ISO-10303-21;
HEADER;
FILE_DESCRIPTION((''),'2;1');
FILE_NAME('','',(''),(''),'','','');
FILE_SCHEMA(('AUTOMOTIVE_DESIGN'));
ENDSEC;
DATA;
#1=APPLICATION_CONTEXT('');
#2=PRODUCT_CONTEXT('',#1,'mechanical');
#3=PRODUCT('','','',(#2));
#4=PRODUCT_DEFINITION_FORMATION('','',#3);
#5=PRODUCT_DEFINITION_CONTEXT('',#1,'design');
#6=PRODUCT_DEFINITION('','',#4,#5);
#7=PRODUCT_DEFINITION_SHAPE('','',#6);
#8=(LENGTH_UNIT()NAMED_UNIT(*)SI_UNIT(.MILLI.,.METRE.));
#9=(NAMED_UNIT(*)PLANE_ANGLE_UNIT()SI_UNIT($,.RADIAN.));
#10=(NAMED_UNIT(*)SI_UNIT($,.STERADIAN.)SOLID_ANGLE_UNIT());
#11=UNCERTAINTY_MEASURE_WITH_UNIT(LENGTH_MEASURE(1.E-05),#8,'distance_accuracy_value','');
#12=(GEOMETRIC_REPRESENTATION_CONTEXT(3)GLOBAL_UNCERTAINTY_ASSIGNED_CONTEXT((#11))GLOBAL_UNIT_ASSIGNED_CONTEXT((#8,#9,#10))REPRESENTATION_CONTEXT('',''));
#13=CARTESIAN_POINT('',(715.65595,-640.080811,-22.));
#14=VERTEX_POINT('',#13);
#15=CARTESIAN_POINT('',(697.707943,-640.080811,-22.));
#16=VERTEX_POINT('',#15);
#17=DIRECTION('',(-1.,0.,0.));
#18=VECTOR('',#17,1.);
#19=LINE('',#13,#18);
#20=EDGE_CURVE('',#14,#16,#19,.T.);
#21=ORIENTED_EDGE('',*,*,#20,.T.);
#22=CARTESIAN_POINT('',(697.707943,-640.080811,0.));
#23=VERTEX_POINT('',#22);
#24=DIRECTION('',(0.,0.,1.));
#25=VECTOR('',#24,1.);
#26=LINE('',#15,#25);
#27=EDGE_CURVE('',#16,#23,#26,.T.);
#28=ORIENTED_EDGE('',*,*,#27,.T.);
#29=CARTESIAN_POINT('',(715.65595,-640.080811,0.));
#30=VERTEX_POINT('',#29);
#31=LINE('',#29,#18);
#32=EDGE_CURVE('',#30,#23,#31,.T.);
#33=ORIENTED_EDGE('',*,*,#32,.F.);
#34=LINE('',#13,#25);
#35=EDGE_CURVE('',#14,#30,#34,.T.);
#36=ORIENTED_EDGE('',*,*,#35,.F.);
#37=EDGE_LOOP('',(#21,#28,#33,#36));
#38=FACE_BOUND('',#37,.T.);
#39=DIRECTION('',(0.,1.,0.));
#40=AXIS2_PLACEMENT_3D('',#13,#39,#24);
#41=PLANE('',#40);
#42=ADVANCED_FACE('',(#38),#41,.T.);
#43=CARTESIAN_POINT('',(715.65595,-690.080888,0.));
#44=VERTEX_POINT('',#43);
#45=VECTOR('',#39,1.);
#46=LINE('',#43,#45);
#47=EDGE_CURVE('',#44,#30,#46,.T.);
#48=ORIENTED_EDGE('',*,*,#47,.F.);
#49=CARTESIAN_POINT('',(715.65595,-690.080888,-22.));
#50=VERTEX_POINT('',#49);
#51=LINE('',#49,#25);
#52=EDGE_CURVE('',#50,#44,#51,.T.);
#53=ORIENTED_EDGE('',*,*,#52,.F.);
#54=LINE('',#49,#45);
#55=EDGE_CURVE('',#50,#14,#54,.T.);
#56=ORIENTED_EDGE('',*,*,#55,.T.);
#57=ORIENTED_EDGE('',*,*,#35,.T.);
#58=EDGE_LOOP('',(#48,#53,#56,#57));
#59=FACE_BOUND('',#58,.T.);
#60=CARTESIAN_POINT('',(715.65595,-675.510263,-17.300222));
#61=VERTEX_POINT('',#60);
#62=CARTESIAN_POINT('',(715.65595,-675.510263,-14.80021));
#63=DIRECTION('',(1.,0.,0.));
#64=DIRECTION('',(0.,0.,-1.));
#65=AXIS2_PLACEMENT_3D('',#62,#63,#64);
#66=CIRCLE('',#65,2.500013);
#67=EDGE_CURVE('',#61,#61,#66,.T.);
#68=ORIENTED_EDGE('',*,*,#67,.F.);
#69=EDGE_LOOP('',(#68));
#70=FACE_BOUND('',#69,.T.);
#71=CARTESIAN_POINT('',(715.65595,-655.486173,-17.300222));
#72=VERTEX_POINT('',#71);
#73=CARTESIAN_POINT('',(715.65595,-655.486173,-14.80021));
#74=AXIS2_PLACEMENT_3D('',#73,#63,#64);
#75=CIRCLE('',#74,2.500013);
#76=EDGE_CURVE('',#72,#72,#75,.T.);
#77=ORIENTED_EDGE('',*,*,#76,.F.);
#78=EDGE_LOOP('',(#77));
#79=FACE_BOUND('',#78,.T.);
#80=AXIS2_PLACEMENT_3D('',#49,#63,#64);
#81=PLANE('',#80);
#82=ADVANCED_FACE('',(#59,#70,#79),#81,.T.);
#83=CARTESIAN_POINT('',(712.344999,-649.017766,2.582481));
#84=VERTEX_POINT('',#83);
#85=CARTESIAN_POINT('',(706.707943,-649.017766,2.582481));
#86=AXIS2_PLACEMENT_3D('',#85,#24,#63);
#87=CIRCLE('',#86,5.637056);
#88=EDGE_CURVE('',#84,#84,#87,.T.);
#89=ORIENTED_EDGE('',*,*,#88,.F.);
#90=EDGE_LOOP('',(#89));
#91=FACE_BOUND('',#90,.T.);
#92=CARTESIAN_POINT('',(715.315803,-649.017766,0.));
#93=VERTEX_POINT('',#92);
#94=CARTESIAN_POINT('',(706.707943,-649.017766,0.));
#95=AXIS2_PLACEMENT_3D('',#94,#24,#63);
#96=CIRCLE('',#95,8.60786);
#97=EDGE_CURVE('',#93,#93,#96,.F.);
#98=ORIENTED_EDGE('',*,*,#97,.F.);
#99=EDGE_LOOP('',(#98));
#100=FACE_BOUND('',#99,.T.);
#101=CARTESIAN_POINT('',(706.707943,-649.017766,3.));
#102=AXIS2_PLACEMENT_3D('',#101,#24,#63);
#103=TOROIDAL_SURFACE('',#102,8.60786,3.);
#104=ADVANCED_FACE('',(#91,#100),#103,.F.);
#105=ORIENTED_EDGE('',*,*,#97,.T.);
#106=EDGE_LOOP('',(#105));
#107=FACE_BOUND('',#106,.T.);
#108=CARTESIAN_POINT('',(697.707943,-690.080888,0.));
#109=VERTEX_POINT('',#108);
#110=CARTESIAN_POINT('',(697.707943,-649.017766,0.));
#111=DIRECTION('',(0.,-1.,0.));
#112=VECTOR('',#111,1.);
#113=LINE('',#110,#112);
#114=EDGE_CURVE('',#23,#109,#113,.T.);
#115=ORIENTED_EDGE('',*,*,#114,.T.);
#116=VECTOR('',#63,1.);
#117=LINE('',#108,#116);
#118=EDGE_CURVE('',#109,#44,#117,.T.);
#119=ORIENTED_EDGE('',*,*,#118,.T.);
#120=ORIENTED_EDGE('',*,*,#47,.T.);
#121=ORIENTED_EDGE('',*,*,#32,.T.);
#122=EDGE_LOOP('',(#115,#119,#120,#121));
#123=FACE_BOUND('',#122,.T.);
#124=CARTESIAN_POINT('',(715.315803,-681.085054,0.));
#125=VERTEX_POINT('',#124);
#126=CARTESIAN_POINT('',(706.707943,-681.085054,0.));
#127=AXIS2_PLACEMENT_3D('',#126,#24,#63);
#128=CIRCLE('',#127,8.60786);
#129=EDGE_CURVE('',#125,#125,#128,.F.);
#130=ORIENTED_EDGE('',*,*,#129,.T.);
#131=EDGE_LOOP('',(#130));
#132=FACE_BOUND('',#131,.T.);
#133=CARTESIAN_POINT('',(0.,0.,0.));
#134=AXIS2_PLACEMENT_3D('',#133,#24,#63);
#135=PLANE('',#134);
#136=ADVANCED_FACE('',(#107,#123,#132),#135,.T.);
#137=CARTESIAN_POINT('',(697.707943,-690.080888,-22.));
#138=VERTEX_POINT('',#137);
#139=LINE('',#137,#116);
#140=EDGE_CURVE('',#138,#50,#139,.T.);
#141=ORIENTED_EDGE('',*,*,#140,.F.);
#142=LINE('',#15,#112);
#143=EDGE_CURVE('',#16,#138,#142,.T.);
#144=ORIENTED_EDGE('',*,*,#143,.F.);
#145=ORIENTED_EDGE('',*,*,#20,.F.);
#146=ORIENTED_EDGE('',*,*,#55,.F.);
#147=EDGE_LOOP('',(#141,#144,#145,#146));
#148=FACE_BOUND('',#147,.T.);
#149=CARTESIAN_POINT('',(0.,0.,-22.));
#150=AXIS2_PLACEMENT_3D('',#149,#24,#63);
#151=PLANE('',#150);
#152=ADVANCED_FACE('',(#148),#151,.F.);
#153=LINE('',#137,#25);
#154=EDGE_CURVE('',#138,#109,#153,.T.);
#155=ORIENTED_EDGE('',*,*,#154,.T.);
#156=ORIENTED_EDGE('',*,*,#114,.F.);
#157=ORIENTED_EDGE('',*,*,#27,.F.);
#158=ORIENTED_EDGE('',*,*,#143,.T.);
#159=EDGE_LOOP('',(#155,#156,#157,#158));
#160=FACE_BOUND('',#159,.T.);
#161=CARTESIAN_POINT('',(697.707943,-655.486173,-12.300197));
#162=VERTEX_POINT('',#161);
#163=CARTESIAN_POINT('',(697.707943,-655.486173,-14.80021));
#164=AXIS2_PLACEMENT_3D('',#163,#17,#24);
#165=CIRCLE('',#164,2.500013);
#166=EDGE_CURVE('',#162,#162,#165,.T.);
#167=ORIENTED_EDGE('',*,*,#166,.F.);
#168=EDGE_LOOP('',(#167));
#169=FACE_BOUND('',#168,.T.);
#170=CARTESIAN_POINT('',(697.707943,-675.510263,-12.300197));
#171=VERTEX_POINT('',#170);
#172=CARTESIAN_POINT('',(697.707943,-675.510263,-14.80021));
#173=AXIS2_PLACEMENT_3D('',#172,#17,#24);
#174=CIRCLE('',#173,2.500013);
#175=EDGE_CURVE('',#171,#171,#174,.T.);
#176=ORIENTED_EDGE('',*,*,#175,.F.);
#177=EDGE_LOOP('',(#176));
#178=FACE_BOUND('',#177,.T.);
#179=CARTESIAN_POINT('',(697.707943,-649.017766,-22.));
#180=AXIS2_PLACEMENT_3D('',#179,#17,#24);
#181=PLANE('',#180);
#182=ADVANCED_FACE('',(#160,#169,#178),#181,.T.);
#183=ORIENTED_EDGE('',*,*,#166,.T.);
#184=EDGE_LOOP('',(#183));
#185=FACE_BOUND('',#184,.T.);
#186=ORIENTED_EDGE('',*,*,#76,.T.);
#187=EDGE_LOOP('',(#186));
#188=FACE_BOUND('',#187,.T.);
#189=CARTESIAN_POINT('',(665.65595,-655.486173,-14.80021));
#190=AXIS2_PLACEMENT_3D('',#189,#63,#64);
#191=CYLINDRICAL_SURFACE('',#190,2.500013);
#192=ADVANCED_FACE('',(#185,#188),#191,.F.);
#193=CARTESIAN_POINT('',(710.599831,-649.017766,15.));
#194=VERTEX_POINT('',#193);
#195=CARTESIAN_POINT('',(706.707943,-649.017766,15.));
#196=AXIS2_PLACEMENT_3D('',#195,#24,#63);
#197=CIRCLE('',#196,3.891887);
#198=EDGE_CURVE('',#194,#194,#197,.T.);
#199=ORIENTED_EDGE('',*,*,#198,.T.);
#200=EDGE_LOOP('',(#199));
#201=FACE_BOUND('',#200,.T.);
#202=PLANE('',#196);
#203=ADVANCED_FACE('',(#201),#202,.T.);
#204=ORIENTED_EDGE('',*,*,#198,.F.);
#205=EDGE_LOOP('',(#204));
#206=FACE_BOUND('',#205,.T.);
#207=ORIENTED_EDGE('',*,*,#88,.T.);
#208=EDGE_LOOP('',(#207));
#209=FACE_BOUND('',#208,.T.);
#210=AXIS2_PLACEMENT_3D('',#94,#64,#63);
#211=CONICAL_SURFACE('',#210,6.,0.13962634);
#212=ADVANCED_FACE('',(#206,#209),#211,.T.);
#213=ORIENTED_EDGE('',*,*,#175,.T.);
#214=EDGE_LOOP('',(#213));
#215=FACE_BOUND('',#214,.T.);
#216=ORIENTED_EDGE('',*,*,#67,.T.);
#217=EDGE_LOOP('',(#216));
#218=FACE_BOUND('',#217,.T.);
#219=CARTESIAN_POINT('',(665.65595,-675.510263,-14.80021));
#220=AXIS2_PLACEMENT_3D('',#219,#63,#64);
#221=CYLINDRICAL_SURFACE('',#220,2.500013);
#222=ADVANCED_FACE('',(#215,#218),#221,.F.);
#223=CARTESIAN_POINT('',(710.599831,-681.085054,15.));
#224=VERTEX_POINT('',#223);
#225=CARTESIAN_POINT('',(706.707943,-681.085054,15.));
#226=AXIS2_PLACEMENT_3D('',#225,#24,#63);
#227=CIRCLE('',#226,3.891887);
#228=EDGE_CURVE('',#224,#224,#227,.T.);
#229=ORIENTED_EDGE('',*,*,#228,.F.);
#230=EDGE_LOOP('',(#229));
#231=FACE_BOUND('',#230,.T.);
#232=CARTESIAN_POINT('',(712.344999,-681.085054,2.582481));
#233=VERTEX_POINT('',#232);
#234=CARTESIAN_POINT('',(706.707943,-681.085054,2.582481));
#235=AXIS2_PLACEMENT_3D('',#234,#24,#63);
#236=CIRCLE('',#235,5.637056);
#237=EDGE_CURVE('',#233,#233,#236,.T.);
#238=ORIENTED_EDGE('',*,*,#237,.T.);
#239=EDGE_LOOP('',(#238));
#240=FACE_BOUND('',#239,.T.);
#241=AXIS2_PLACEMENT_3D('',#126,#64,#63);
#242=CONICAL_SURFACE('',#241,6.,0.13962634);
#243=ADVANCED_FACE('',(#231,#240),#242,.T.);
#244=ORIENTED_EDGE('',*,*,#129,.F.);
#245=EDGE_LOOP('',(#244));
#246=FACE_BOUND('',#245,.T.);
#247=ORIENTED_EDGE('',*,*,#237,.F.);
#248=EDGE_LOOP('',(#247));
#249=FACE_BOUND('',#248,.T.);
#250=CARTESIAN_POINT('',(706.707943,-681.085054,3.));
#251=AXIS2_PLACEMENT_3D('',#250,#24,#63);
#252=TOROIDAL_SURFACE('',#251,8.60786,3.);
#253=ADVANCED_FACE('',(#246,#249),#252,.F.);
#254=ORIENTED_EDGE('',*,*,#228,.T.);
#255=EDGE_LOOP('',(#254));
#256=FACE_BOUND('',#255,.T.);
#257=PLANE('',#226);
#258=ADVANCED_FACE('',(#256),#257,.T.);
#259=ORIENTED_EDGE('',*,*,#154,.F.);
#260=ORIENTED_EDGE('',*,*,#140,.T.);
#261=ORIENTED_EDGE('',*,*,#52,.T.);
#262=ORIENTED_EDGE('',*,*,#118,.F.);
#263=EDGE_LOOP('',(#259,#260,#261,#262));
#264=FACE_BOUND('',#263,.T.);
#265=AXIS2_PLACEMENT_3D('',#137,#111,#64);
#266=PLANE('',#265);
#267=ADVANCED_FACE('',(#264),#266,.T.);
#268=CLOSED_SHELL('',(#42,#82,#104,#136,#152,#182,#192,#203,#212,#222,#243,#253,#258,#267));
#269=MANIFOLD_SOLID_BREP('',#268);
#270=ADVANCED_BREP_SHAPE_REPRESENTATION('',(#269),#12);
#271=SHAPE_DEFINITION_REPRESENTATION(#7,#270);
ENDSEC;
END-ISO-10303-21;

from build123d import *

# Parameters (mm, degrees)
BOSS_EXTRUDE1_DEPTH           = 22
SKETCH3_R                     = 6
BOSS_EXTRUDE3_DEPTH           = 15
BOSS_EXTRUDE3_DRAFT           = 8
BOSS_EXTRUDE3_PROFILE_2_DEPTH = 15
BOSS_EXTRUDE3_PROFILE_2_DRAFT = 8
FILLET2_R                     = 3
SKETCH4_R                     = 2.500012638
CUT_EXTRUDE1_DEPTH            = 50
SKETCH5_R                     = 2.500012638
CUT_EXTRUDE2_DEPTH            = 50


with BuildPart() as part:
    # Sketch2 → Boss-Extrude1 (new body)
    with BuildSketch(Plane.XY):
        Polygon((697.707943159, -649.017765949), (697.707943159, -690.080887605), (715.655949844, -690.080887605), (715.655949844, -640.080811229), (697.707943159, -640.080811229), align=None)
    extrude(amount=-BOSS_EXTRUDE1_DEPTH)


with BuildPart() as boss_extrude3_tool:
    # Sketch3 → Boss-Extrude3 (with draft: the straight prism first)
    with BuildSketch(Plane.XY):
        with Locations((706.707943159, -649.017765949)):
            Circle(SKETCH3_R)
    extrude(amount=BOSS_EXTRUDE3_DEPTH)
    # Boss-Extrude3: the draft: its side faces are tilted about the plane it starts from
    boss_extrude3_sides = [boss_extrude3_tool.faces().sort_by_distance(p)[0] for p in [
        (700.707943159, -649.017765949, 7.5),
    ]]
    draft(boss_extrude3_sides, Plane.XY, BOSS_EXTRUDE3_DRAFT)


with BuildPart() as part_1:
    add(part.part)

    # Boss-Extrude3: add boss_extrude3_tool
    add(boss_extrude3_tool.part)


with BuildPart() as boss_extrude3_profile_2_tool:
    # Sketch3 → Boss-Extrude3 profile 2 (with draft: the straight prism first)
    with BuildSketch(Plane.XY):
        with Locations((706.707943159, -681.085054274)):
            Circle(SKETCH3_R)
    extrude(amount=BOSS_EXTRUDE3_PROFILE_2_DEPTH)
    # Boss-Extrude3 profile 2: the draft: its side faces are tilted about the plane it starts from
    boss_extrude3_profile_2_sides = [boss_extrude3_profile_2_tool.faces().sort_by_distance(p)[0] for p in [
        (700.707943159, -681.085054274, 7.5),
    ]]
    draft(boss_extrude3_profile_2_sides, Plane.XY, BOSS_EXTRUDE3_PROFILE_2_DRAFT)


with BuildPart() as part_2:
    add(part_1.part)

    # Boss-Extrude3 profile 2: add boss_extrude3_profile_2_tool
    add(boss_extrude3_profile_2_tool.part)

    # Fillet2
    fillet2_edges = [part_2.edges().sort_by_distance(p)[0] for p in [
        (700.707943159, -649.017765949, 0),
        (700.707943159, -681.085054274, 0),
    ]]
    fillet(fillet2_edges, radius=FILLET2_R)

    # Sketch4 → Cut-Extrude1 (cut)
    with BuildSketch(Plane(origin=(715.655949844, 0, 0), x_dir=(0, 0, -1), z_dir=(1, 0, 0))):
        with Locations((14.80020958, -655.486173041)):
            Circle(SKETCH4_R)
    extrude(amount=-CUT_EXTRUDE1_DEPTH, mode=Mode.SUBTRACT)

    # Sketch5 → Cut-Extrude2 (cut)
    with BuildSketch(Plane(origin=(715.655949844, 0, 0), x_dir=(0, 0, -1), z_dir=(1, 0, 0))):
        with Locations((14.80020958, -675.510263036)):
            Circle(SKETCH5_R)
    extrude(amount=-CUT_EXTRUDE2_DEPTH, mode=Mode.SUBTRACT)


solid = part_2.part
